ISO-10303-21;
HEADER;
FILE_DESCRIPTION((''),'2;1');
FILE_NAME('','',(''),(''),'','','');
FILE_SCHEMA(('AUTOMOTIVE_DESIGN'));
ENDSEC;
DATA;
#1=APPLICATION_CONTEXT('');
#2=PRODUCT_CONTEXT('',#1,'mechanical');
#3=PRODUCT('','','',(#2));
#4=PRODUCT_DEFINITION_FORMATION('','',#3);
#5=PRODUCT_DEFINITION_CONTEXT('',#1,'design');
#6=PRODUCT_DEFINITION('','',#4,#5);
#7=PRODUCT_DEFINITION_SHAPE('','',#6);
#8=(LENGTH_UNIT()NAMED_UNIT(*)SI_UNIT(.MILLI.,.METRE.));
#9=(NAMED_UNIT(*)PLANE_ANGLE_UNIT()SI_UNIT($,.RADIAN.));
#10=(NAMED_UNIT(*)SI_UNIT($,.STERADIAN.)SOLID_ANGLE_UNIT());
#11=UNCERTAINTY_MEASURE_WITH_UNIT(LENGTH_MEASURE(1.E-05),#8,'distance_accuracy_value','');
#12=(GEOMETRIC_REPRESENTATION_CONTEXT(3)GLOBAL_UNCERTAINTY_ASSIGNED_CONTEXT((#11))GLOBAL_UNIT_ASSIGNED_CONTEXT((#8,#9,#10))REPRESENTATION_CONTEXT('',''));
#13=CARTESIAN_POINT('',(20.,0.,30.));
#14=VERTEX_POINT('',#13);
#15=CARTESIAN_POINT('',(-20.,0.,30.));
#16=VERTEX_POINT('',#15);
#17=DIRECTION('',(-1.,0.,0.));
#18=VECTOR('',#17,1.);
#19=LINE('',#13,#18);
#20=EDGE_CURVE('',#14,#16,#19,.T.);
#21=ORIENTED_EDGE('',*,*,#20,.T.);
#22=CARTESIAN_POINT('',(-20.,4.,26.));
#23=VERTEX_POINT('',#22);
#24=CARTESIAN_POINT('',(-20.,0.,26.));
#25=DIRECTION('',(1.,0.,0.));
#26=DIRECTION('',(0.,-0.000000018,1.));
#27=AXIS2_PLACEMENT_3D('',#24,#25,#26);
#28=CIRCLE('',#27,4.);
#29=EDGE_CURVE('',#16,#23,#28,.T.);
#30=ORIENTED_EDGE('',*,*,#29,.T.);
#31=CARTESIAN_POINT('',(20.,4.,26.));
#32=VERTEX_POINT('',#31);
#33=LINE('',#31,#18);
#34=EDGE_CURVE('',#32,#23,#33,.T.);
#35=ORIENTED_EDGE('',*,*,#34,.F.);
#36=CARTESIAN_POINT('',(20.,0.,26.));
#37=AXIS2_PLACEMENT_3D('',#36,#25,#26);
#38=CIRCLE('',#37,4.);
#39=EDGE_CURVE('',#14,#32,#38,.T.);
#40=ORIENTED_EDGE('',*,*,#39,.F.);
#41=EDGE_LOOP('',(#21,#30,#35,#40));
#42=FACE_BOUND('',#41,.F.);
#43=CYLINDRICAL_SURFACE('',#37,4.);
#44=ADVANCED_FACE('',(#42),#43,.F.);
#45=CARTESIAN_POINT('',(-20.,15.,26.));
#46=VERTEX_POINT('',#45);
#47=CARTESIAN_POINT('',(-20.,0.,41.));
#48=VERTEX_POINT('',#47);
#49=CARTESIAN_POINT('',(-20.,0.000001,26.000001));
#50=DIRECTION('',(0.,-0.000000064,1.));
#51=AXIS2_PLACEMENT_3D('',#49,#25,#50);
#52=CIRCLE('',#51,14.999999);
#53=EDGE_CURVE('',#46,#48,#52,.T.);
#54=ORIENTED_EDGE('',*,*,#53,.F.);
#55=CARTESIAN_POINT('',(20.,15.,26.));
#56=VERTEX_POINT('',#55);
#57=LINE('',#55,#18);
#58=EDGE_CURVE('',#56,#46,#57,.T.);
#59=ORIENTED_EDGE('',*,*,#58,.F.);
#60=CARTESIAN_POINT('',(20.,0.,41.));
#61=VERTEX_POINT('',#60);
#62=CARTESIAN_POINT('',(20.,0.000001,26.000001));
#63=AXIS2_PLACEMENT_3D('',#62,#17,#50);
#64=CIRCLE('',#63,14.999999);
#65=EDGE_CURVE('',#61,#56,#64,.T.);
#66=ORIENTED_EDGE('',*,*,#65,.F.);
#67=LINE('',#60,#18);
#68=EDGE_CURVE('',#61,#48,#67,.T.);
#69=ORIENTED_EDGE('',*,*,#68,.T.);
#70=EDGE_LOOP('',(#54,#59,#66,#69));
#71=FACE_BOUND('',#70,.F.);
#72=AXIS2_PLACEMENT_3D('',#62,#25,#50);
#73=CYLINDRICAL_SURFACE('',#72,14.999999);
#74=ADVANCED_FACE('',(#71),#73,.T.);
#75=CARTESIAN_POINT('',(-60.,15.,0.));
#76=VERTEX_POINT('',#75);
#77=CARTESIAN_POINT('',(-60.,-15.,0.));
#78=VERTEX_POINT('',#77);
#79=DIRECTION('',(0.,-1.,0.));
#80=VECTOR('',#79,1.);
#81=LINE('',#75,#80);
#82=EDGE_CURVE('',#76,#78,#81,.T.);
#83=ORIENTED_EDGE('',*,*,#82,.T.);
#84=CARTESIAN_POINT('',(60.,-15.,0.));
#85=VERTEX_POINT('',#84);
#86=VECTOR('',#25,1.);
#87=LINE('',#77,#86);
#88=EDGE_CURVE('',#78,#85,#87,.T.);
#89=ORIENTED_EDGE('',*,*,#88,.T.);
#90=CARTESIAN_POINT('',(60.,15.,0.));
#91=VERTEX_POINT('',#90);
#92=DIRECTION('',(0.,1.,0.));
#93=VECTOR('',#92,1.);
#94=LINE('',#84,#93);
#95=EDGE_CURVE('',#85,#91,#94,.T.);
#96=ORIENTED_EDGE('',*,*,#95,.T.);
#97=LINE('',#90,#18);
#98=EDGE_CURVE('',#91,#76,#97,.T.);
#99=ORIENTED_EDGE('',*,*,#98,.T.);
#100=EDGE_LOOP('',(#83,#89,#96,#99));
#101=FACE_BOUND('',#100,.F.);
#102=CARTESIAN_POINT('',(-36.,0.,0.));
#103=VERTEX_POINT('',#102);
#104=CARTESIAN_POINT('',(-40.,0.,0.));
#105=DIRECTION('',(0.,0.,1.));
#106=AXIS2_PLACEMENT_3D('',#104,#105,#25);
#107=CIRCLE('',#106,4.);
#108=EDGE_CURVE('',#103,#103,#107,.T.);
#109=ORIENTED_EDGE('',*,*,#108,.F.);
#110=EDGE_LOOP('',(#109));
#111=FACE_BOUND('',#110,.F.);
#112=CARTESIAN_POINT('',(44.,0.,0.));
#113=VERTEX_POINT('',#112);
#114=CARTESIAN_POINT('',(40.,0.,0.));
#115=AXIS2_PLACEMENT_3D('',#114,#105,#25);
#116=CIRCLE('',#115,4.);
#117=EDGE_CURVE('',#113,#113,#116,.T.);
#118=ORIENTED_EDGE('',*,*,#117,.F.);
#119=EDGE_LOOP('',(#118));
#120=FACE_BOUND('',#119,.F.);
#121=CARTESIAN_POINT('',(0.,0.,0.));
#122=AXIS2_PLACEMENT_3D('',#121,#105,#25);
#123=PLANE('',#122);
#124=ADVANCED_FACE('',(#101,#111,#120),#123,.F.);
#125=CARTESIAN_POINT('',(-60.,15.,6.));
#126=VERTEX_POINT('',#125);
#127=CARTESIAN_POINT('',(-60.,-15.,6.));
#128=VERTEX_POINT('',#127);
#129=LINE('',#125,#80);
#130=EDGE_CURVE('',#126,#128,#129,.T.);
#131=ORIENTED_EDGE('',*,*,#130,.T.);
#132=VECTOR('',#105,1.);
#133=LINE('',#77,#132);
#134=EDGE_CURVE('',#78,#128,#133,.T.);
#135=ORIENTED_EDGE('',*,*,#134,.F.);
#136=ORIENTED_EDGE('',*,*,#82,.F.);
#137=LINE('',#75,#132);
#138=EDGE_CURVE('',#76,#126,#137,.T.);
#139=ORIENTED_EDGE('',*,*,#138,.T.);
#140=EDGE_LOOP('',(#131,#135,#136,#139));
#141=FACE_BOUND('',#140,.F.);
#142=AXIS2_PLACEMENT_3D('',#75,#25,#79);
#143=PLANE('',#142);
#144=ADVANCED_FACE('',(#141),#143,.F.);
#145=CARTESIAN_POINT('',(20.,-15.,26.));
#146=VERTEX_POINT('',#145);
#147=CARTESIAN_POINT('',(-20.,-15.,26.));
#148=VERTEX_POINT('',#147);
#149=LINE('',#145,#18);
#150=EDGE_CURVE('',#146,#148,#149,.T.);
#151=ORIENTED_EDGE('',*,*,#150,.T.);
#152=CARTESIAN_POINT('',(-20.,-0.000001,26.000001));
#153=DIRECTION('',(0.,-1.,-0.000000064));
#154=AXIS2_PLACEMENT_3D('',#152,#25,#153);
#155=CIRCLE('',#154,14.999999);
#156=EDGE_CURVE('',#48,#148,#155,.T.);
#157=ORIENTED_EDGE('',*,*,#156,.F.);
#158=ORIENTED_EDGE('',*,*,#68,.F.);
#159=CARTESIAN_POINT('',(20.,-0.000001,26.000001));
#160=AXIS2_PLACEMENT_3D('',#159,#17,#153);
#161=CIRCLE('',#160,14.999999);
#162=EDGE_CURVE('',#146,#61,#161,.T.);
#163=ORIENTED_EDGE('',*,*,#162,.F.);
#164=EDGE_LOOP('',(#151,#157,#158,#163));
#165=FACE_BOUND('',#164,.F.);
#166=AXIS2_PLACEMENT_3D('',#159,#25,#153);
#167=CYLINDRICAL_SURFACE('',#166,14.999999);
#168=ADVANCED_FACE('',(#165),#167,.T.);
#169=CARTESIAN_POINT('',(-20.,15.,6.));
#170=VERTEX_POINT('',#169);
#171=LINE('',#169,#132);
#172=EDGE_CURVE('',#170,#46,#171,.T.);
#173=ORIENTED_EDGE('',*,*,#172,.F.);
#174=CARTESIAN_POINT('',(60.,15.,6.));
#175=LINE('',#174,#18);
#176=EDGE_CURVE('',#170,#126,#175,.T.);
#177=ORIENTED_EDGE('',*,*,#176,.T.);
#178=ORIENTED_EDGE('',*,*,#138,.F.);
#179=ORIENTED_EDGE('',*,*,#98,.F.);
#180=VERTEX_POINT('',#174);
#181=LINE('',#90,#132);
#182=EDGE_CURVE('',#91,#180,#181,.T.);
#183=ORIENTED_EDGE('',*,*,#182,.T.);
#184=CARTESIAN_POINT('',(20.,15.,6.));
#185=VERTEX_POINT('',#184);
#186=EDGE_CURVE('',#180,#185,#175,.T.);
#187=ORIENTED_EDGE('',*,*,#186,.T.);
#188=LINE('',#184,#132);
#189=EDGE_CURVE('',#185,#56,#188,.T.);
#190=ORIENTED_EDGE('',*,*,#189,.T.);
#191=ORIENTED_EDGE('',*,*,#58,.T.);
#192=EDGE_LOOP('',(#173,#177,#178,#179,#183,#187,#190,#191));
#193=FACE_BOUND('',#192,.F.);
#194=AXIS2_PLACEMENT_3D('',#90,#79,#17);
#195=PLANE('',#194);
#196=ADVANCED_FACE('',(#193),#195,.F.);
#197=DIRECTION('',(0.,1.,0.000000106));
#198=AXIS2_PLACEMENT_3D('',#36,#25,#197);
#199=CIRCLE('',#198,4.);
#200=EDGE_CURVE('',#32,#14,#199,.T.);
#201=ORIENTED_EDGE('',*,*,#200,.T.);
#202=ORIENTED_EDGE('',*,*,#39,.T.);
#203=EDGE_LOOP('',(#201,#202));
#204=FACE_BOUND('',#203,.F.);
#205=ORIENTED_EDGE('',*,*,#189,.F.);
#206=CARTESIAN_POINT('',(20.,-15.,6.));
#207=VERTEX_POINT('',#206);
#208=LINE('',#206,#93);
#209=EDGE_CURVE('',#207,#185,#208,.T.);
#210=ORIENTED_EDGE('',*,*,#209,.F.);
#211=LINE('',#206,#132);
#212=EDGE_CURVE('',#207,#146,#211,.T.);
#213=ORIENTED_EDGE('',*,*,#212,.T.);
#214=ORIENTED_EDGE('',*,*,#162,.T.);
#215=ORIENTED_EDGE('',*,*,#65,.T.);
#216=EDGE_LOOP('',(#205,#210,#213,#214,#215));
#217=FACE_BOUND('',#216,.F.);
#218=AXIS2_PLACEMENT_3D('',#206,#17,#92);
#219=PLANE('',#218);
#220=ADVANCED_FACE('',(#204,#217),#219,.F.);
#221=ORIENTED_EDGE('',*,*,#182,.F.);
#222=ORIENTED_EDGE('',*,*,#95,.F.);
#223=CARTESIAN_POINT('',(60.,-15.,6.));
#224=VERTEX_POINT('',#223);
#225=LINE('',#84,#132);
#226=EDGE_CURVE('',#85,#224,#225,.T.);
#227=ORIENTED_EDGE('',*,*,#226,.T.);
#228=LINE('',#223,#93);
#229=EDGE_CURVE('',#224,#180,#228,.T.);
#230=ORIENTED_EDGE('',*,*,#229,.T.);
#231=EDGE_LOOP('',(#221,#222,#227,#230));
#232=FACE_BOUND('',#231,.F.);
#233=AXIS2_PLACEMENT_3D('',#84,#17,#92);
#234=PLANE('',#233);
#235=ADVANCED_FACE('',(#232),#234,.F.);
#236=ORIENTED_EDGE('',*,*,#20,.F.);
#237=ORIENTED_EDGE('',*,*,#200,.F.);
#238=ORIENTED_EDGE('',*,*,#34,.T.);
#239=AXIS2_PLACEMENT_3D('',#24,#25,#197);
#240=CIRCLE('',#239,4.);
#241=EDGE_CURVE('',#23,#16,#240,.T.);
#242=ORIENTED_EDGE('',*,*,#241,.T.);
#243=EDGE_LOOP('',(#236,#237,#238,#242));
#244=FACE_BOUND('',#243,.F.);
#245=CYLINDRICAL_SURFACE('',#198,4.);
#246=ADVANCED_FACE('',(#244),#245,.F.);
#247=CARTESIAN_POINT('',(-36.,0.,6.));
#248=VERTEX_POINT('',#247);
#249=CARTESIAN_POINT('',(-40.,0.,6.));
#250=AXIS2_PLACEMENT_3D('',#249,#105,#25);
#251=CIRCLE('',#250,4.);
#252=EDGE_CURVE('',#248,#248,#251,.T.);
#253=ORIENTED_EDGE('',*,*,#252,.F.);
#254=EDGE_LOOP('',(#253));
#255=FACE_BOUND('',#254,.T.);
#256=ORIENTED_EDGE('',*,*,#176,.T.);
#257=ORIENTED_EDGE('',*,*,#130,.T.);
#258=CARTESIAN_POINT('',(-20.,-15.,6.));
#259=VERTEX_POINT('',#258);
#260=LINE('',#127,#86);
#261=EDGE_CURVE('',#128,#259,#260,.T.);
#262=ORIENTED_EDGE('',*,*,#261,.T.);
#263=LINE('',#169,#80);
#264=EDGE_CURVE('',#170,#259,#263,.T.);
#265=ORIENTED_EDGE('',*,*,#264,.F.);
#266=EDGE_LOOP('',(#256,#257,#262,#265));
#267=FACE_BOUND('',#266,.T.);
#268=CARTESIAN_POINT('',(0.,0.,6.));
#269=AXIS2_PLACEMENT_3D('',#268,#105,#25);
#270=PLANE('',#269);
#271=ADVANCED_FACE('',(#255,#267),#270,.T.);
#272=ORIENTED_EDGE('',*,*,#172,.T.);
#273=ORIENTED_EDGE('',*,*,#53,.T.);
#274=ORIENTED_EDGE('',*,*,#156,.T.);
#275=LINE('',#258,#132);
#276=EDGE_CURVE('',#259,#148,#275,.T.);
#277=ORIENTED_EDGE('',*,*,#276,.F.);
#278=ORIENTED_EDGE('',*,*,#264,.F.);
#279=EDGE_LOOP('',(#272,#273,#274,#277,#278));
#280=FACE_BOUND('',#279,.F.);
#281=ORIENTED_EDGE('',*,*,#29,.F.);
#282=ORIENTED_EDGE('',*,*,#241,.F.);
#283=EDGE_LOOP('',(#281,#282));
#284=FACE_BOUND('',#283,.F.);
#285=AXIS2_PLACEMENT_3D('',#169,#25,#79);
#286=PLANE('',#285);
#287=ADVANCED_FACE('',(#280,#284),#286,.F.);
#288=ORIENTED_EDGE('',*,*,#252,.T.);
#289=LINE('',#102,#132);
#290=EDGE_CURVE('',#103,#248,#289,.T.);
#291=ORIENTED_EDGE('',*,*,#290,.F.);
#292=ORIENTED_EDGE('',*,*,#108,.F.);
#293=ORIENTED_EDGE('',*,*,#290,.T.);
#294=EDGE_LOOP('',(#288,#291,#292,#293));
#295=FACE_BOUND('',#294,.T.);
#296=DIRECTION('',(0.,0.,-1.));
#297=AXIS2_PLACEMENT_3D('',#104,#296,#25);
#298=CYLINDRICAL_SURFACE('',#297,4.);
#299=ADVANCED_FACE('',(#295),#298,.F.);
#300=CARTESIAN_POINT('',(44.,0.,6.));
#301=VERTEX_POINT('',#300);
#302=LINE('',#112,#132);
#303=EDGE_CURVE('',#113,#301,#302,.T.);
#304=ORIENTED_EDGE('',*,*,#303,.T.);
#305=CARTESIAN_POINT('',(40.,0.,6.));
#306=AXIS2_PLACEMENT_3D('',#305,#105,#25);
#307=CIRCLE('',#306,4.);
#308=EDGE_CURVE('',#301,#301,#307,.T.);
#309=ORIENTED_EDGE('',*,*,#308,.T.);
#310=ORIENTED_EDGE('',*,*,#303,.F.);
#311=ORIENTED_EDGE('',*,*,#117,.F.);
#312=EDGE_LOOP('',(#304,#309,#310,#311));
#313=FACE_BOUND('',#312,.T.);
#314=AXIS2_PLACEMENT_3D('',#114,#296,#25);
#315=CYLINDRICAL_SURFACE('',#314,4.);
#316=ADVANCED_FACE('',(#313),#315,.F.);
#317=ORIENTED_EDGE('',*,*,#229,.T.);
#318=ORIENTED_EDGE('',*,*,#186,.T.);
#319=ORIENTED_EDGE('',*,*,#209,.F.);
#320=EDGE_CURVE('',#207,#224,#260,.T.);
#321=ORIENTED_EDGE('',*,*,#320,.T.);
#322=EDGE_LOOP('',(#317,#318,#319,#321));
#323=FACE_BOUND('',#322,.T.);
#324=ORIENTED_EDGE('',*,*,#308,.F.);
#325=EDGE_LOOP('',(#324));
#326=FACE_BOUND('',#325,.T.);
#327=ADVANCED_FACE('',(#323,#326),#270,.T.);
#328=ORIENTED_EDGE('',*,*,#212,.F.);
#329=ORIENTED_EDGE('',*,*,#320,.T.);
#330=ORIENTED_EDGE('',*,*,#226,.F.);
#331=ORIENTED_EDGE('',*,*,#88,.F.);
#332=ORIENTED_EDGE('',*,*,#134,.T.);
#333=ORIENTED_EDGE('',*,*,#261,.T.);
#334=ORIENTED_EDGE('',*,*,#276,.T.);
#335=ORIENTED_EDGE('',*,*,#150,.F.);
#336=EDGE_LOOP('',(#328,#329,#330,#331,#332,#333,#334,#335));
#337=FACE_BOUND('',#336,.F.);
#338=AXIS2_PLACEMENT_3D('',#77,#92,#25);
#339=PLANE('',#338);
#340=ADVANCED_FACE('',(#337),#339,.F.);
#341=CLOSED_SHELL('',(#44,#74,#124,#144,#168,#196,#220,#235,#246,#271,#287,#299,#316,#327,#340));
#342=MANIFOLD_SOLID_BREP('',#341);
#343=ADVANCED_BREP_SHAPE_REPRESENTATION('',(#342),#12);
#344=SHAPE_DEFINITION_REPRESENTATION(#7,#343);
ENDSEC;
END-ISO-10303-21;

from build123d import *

# Parameters (mm, degrees)
F0_R     = 4
F1_DEPTH = 6
F3_DEPTH = 35
F5_DEPTH = 45


with BuildPart() as f1:
    # F0 (on Top) → F1 (new body)
    with BuildSketch(Plane.XY):
        Polygon((20, -15), (60, -15), (60, 15), (0, 15), (-20, 15), (-60, 15), (-60, -15), (0, -15), align=None)
        with Locations((-40, 0)):
            Circle(F0_R, mode=Mode.SUBTRACT)
        with Locations((40, 0)):
            Circle(F0_R, mode=Mode.SUBTRACT)
    extrude(amount=F1_DEPTH)

    # F2 (on face) → F3 (join)
    with BuildSketch(Plane.XY.offset(6)):
        Polygon((20, 15), (0, 15), (-20, 15), (-20, -15), (20, -15), align=None)
    extrude(amount=F3_DEPTH)

    # F4 (on face) → F5 (cut)
    with BuildSketch(Plane.YZ.offset(20)):
        with BuildLine():
            Line((15, 41), (0, 41))
            ThreePointArc((0, 41), (10.606602, 36.606602), (15, 26))
            Line((15, 26), (15, 41))
        make_face()
        with BuildLine():
            ThreePointArc((-15, 26), (-10.606602, 36.606602), (0, 41))
            Line((0, 41), (-15, 41))
            Line((-15, 41), (-15, 26))
        make_face()
        with BuildLine():
            ThreePointArc((4, 26), (2.828427, 28.828427), (0, 30))
            ThreePointArc((0, 30), (-2.828427, 23.171573), (4, 26))
        make_face()
    extrude(amount=-F5_DEPTH, mode=Mode.SUBTRACT)


solid = f1.part
